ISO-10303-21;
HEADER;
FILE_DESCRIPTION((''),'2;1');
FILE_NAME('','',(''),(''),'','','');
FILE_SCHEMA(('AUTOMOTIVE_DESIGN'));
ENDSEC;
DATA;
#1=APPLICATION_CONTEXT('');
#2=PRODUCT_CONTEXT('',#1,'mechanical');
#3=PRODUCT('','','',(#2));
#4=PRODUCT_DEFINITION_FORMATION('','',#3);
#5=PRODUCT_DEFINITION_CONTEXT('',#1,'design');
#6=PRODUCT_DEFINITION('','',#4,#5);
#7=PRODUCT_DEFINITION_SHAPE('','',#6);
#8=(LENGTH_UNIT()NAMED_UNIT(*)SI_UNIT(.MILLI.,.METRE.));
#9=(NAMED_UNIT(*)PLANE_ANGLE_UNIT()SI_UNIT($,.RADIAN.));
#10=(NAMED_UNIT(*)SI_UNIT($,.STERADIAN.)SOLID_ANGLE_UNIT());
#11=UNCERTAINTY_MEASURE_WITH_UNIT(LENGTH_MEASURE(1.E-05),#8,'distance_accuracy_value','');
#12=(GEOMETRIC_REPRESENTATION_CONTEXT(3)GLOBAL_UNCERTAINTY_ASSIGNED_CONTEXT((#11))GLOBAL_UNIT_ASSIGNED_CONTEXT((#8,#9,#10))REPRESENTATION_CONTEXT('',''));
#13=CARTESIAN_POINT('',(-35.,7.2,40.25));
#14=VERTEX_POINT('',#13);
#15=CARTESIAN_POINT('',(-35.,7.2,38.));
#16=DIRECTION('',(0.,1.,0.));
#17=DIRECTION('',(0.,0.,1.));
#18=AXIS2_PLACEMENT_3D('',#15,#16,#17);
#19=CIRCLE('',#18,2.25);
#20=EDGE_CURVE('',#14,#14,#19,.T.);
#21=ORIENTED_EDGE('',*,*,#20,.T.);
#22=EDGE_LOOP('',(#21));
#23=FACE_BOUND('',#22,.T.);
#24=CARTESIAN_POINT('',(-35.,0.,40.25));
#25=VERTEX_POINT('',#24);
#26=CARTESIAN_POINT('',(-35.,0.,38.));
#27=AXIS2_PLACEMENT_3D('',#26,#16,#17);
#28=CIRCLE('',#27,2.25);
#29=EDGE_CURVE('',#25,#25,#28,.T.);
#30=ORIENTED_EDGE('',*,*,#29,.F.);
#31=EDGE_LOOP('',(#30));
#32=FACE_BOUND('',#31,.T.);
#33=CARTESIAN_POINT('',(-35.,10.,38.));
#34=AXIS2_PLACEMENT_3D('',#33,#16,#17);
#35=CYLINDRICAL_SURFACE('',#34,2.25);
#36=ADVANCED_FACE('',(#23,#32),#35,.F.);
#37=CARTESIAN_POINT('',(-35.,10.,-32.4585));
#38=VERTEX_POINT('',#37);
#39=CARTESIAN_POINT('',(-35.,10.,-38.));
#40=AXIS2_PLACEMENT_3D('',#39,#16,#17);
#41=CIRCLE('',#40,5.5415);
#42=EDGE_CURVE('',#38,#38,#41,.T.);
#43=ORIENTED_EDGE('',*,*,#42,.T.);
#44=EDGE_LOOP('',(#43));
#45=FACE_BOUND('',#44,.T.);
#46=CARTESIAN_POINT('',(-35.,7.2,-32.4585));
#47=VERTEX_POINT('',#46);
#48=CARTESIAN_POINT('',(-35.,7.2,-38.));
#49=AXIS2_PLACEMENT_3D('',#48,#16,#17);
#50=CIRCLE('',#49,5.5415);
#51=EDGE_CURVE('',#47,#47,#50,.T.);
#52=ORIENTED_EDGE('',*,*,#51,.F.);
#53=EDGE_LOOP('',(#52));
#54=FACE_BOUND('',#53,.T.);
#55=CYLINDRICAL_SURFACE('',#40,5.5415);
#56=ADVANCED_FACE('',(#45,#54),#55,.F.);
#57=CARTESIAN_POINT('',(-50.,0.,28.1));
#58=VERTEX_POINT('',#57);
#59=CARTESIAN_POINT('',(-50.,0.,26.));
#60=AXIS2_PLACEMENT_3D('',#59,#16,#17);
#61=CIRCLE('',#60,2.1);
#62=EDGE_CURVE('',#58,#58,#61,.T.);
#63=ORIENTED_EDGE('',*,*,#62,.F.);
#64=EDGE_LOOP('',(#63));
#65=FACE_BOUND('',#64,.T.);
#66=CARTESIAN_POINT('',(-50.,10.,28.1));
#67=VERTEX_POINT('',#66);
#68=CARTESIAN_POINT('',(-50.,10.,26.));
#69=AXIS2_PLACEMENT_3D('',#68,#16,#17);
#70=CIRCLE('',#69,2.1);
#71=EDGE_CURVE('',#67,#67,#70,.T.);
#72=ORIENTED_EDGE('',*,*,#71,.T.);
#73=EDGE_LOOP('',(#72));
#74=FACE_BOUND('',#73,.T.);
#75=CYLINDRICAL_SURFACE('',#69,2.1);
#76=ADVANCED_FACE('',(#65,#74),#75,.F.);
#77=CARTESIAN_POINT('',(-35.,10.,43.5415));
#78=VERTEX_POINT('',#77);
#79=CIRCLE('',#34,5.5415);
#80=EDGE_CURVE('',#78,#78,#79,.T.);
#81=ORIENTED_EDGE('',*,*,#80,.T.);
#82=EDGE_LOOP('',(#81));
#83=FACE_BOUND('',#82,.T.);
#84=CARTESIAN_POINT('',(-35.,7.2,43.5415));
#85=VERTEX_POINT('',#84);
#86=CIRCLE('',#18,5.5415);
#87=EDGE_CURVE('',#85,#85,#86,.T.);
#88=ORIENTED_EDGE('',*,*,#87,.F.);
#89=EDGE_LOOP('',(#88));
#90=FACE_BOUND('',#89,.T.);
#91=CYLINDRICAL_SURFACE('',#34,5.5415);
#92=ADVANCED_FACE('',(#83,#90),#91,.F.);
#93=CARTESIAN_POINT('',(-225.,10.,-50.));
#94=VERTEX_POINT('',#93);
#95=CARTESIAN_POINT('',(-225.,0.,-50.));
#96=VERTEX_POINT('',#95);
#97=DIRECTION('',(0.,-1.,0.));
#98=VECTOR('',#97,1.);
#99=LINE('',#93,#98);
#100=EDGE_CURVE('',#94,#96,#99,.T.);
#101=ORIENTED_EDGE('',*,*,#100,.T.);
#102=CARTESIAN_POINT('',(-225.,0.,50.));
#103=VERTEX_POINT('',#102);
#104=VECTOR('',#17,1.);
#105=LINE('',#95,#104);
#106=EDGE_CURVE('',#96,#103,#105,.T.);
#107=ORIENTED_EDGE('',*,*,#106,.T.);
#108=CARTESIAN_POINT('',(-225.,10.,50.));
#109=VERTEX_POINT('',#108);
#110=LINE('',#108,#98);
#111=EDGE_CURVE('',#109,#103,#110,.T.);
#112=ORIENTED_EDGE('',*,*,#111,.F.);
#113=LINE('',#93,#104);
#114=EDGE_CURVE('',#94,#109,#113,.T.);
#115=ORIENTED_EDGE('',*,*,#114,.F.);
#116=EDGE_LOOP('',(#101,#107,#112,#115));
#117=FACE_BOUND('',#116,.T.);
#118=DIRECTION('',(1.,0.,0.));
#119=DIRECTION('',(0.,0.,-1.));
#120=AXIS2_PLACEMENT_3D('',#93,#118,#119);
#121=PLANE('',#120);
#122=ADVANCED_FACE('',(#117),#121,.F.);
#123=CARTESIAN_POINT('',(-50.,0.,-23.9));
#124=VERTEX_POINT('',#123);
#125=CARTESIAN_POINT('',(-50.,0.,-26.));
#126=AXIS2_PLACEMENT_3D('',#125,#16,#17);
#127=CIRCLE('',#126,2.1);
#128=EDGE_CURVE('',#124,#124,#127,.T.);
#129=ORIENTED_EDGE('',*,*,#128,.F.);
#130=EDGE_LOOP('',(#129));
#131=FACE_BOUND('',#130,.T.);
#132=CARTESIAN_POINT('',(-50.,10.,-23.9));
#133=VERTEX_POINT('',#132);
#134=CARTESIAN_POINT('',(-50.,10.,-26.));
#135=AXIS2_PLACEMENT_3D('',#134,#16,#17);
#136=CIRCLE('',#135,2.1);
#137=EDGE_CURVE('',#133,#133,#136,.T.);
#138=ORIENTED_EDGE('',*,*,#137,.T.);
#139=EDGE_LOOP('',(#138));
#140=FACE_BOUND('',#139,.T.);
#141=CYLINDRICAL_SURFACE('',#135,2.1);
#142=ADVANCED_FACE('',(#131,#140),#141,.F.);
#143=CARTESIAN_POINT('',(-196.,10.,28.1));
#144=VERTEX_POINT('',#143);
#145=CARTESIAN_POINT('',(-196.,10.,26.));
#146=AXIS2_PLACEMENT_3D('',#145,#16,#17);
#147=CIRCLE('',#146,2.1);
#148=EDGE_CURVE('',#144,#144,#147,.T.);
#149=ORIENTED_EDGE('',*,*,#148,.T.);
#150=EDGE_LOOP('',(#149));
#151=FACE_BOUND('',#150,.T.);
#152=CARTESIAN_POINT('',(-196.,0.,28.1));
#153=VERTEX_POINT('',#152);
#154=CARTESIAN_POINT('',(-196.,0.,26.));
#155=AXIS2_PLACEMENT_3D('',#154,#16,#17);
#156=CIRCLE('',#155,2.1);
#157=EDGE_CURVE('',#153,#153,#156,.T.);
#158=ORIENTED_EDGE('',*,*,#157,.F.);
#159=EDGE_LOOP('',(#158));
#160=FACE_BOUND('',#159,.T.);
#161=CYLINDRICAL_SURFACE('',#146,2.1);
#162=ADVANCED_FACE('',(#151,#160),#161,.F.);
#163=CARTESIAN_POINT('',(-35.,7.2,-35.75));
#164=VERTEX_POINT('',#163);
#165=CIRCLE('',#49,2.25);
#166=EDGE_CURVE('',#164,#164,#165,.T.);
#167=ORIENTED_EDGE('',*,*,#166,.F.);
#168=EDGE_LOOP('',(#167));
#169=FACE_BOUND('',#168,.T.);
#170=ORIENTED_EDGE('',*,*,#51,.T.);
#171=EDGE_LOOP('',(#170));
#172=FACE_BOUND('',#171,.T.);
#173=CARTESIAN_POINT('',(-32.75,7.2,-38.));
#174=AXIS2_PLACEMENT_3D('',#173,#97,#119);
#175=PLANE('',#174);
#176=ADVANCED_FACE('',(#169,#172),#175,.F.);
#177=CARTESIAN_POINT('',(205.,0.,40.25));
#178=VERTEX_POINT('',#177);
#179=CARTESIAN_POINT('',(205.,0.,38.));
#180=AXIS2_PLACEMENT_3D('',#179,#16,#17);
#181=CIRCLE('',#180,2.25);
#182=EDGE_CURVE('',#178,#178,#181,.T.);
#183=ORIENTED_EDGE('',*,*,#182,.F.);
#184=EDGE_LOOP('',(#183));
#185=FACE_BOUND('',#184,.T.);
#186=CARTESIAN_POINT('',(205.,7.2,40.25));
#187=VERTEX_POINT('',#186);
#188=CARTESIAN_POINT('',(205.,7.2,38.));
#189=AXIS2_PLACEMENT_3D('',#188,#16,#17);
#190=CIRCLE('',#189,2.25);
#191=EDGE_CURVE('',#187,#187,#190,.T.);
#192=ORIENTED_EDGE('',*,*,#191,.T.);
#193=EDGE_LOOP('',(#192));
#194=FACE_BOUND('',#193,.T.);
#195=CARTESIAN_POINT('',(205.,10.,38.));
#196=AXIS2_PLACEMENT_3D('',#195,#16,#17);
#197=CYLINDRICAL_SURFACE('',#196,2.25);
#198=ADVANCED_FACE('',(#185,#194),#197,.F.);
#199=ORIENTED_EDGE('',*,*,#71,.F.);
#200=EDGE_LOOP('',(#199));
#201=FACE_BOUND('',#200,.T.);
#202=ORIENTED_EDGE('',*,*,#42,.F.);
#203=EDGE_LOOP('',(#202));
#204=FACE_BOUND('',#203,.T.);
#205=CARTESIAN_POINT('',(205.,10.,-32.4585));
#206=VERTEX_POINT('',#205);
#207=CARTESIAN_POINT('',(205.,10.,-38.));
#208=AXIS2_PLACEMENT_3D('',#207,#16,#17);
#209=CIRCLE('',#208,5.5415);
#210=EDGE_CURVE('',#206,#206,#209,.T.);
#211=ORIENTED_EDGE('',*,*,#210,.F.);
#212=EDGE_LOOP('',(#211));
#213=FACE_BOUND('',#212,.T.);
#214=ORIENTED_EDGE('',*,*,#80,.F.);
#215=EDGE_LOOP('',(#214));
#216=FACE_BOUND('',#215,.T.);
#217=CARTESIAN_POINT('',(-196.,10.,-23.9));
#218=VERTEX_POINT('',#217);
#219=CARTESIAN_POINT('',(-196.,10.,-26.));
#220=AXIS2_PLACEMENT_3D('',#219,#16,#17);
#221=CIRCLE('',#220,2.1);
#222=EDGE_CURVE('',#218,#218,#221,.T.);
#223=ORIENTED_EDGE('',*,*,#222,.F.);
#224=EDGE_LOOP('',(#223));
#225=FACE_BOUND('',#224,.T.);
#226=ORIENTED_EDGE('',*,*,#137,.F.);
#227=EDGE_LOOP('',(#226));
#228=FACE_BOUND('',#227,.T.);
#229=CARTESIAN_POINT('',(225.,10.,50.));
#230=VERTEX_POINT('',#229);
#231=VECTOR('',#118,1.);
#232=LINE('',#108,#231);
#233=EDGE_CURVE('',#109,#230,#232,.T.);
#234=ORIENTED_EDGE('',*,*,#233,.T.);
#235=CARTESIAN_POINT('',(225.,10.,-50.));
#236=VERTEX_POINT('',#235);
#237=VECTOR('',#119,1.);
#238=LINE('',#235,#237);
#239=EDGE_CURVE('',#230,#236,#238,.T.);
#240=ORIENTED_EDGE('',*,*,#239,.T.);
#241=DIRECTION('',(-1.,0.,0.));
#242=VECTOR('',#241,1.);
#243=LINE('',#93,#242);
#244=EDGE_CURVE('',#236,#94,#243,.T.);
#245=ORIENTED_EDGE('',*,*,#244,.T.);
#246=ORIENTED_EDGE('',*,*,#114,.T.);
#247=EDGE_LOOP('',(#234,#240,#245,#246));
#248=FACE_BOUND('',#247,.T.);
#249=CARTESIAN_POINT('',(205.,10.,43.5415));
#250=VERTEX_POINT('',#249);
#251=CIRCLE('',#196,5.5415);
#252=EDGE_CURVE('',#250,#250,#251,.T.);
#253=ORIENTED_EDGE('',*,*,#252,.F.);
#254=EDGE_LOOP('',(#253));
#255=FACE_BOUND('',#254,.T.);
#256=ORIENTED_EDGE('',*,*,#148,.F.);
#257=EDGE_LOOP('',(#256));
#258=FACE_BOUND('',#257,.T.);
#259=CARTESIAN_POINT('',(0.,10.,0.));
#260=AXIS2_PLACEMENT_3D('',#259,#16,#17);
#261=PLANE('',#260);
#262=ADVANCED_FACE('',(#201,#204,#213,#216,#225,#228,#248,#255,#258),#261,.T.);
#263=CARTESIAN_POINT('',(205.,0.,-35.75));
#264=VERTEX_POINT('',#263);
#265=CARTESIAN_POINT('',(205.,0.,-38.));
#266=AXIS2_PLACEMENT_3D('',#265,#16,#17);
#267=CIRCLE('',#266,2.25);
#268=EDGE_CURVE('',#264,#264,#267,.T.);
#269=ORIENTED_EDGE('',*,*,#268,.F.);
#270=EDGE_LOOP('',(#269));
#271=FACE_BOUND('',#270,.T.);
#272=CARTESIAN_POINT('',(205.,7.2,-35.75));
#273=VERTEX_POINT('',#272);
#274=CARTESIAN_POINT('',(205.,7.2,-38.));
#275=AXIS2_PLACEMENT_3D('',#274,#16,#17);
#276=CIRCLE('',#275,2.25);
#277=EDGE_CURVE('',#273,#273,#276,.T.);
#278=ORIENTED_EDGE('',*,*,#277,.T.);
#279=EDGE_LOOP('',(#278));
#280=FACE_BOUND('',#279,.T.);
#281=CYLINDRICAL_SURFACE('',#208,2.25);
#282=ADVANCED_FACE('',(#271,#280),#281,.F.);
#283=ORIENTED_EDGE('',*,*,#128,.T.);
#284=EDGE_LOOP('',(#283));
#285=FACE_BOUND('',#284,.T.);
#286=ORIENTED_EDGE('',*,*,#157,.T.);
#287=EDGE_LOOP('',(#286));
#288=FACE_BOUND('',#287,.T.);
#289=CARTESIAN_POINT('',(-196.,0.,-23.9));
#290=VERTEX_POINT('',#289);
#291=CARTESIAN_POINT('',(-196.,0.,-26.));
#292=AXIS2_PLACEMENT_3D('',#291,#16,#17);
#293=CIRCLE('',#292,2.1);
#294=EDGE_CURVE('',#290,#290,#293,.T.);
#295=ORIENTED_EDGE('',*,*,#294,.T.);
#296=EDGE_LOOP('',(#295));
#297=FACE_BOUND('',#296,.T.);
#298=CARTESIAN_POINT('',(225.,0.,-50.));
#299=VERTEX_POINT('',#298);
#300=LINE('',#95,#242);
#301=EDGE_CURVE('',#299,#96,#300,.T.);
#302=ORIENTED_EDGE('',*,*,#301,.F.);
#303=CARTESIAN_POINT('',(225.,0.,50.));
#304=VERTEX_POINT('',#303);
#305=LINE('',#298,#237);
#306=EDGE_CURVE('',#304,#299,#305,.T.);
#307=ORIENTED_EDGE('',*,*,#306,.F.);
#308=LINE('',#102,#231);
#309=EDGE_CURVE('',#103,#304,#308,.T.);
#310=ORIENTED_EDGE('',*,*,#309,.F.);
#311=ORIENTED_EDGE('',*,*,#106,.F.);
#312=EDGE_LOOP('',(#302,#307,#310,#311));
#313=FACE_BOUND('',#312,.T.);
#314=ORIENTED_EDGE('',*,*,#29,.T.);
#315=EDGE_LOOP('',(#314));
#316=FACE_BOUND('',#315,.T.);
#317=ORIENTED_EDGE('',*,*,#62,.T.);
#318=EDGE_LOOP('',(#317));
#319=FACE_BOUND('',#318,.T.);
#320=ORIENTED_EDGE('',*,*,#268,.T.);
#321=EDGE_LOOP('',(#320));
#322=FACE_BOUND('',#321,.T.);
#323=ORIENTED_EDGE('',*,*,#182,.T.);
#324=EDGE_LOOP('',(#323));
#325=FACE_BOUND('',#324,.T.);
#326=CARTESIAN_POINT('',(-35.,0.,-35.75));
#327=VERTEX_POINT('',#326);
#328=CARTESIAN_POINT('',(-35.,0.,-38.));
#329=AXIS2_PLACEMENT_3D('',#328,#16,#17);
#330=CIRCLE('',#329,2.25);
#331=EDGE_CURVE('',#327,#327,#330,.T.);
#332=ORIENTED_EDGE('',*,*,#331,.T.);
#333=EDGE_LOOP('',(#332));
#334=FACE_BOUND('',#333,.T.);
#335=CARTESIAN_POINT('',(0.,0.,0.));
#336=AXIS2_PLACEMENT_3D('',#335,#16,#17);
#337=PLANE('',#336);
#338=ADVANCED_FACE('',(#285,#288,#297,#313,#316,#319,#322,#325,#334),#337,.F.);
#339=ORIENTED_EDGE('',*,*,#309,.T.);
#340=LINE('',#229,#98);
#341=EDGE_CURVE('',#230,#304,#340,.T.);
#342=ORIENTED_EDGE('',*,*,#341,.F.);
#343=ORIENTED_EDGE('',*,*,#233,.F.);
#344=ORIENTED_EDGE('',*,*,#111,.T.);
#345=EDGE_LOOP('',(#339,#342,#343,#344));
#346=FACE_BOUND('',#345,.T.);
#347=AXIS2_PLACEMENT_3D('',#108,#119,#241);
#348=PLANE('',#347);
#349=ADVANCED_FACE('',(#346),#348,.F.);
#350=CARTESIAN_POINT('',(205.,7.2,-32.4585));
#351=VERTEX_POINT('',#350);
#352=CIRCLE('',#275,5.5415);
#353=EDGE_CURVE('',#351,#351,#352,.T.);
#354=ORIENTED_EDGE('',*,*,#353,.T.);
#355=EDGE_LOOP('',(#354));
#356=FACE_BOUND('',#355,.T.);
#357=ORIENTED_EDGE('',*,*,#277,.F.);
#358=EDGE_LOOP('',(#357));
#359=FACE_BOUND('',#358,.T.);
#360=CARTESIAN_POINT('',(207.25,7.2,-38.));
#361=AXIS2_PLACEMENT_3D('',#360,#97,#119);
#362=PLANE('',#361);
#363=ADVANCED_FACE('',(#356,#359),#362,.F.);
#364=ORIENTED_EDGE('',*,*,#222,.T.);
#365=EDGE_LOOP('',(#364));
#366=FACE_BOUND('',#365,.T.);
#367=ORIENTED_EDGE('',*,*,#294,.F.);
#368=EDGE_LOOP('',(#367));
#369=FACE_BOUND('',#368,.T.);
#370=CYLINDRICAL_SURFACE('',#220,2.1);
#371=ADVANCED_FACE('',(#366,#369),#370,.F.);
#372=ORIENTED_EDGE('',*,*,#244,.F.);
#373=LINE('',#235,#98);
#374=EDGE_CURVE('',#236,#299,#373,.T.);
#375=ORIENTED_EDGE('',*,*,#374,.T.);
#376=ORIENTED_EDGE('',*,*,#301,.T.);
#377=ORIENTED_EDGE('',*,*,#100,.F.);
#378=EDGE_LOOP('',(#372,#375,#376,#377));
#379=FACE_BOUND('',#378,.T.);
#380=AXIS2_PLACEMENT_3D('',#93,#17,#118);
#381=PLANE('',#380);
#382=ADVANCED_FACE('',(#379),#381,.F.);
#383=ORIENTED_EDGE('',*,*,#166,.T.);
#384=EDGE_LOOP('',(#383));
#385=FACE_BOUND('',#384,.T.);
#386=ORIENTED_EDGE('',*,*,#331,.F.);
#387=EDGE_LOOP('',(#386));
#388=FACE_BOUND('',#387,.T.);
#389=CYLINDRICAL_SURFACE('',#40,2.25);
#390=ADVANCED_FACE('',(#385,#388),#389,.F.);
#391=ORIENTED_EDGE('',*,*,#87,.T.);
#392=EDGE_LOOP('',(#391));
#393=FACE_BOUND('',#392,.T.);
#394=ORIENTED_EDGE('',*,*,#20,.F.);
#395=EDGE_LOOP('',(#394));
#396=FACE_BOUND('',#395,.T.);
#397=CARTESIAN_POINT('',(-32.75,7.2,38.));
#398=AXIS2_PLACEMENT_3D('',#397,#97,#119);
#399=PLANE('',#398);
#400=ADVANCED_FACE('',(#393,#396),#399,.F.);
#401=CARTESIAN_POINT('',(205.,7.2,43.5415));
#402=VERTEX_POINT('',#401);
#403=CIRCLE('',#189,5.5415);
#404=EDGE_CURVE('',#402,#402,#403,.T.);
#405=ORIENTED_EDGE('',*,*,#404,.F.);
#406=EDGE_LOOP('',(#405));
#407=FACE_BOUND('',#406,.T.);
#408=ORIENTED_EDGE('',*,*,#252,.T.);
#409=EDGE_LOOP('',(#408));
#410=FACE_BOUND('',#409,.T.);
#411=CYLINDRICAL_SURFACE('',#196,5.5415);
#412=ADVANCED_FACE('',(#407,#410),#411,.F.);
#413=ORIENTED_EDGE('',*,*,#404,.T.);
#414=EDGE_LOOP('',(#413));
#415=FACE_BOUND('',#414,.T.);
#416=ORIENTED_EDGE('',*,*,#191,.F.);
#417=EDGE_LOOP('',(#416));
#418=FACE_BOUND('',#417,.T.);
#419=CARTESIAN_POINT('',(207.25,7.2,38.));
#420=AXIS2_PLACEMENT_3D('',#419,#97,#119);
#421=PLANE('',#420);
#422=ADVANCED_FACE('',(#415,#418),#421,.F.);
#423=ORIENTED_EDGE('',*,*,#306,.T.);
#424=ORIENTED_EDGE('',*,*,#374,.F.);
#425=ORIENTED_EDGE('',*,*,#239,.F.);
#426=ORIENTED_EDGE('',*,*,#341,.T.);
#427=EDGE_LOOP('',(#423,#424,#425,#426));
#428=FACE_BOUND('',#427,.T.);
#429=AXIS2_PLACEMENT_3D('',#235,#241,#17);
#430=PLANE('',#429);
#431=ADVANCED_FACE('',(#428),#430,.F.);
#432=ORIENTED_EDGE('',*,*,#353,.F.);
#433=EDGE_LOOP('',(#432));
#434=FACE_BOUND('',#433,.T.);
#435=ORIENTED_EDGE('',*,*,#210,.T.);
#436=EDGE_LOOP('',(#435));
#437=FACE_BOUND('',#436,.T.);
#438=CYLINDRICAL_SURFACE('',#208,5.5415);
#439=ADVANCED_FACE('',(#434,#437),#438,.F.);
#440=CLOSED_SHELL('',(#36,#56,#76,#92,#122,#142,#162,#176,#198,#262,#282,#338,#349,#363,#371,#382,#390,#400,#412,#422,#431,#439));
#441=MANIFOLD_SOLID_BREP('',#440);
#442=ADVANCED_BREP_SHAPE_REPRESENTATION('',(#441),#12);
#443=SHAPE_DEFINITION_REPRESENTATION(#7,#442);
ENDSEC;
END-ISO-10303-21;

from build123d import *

# Parameters (mm, degrees)
SKETCH1_W                                    = 450
SKETCH1_H                                    = 100
BOSS_EXTRUDE1_DEPTH                          = 10
CBORE_FOR_M4_HEX_HEAD_CAP_SCREW1_D           = 4.5
CBORE_FOR_M4_HEX_HEAD_CAP_SCREW1_CBORE_D     = 11.083
CBORE_FOR_M4_HEX_HEAD_CAP_SCREW1_CBORE_DEPTH = 2.8
M5_TAPPED_HOLE1_D                            = 4.2


with BuildPart() as part:
    # Sketch1 → Boss-Extrude1 (new body)
    with BuildSketch(Plane(origin=(0, 0, 0), x_dir=(1, 0, 0), z_dir=(0, 1, 0))):
        Rectangle(SKETCH1_W, SKETCH1_H)
    extrude(amount=BOSS_EXTRUDE1_DEPTH)

    # CBORE for M4 Hex Head Cap Screw1 (through all)
    with Locations(Plane(origin=(0, 10, 0), x_dir=(1, 0, 0), z_dir=(0, 1, 0))):
        with Locations((205, -38), (205, 38), (-35, 38), (-35, -38)):
            CounterBoreHole(CBORE_FOR_M4_HEX_HEAD_CAP_SCREW1_D / 2, CBORE_FOR_M4_HEX_HEAD_CAP_SCREW1_CBORE_D / 2, CBORE_FOR_M4_HEX_HEAD_CAP_SCREW1_CBORE_DEPTH)

    # M5 Tapped Hole1 (through all)
    with Locations(Plane(origin=(0, 10, 0), x_dir=(1, 0, 0), z_dir=(0, 1, 0))):
        with Locations((-50, 26), (-50, -26), (-196, -26), (-196, 26)):
            Hole(M5_TAPPED_HOLE1_D / 2)


solid = part.part
